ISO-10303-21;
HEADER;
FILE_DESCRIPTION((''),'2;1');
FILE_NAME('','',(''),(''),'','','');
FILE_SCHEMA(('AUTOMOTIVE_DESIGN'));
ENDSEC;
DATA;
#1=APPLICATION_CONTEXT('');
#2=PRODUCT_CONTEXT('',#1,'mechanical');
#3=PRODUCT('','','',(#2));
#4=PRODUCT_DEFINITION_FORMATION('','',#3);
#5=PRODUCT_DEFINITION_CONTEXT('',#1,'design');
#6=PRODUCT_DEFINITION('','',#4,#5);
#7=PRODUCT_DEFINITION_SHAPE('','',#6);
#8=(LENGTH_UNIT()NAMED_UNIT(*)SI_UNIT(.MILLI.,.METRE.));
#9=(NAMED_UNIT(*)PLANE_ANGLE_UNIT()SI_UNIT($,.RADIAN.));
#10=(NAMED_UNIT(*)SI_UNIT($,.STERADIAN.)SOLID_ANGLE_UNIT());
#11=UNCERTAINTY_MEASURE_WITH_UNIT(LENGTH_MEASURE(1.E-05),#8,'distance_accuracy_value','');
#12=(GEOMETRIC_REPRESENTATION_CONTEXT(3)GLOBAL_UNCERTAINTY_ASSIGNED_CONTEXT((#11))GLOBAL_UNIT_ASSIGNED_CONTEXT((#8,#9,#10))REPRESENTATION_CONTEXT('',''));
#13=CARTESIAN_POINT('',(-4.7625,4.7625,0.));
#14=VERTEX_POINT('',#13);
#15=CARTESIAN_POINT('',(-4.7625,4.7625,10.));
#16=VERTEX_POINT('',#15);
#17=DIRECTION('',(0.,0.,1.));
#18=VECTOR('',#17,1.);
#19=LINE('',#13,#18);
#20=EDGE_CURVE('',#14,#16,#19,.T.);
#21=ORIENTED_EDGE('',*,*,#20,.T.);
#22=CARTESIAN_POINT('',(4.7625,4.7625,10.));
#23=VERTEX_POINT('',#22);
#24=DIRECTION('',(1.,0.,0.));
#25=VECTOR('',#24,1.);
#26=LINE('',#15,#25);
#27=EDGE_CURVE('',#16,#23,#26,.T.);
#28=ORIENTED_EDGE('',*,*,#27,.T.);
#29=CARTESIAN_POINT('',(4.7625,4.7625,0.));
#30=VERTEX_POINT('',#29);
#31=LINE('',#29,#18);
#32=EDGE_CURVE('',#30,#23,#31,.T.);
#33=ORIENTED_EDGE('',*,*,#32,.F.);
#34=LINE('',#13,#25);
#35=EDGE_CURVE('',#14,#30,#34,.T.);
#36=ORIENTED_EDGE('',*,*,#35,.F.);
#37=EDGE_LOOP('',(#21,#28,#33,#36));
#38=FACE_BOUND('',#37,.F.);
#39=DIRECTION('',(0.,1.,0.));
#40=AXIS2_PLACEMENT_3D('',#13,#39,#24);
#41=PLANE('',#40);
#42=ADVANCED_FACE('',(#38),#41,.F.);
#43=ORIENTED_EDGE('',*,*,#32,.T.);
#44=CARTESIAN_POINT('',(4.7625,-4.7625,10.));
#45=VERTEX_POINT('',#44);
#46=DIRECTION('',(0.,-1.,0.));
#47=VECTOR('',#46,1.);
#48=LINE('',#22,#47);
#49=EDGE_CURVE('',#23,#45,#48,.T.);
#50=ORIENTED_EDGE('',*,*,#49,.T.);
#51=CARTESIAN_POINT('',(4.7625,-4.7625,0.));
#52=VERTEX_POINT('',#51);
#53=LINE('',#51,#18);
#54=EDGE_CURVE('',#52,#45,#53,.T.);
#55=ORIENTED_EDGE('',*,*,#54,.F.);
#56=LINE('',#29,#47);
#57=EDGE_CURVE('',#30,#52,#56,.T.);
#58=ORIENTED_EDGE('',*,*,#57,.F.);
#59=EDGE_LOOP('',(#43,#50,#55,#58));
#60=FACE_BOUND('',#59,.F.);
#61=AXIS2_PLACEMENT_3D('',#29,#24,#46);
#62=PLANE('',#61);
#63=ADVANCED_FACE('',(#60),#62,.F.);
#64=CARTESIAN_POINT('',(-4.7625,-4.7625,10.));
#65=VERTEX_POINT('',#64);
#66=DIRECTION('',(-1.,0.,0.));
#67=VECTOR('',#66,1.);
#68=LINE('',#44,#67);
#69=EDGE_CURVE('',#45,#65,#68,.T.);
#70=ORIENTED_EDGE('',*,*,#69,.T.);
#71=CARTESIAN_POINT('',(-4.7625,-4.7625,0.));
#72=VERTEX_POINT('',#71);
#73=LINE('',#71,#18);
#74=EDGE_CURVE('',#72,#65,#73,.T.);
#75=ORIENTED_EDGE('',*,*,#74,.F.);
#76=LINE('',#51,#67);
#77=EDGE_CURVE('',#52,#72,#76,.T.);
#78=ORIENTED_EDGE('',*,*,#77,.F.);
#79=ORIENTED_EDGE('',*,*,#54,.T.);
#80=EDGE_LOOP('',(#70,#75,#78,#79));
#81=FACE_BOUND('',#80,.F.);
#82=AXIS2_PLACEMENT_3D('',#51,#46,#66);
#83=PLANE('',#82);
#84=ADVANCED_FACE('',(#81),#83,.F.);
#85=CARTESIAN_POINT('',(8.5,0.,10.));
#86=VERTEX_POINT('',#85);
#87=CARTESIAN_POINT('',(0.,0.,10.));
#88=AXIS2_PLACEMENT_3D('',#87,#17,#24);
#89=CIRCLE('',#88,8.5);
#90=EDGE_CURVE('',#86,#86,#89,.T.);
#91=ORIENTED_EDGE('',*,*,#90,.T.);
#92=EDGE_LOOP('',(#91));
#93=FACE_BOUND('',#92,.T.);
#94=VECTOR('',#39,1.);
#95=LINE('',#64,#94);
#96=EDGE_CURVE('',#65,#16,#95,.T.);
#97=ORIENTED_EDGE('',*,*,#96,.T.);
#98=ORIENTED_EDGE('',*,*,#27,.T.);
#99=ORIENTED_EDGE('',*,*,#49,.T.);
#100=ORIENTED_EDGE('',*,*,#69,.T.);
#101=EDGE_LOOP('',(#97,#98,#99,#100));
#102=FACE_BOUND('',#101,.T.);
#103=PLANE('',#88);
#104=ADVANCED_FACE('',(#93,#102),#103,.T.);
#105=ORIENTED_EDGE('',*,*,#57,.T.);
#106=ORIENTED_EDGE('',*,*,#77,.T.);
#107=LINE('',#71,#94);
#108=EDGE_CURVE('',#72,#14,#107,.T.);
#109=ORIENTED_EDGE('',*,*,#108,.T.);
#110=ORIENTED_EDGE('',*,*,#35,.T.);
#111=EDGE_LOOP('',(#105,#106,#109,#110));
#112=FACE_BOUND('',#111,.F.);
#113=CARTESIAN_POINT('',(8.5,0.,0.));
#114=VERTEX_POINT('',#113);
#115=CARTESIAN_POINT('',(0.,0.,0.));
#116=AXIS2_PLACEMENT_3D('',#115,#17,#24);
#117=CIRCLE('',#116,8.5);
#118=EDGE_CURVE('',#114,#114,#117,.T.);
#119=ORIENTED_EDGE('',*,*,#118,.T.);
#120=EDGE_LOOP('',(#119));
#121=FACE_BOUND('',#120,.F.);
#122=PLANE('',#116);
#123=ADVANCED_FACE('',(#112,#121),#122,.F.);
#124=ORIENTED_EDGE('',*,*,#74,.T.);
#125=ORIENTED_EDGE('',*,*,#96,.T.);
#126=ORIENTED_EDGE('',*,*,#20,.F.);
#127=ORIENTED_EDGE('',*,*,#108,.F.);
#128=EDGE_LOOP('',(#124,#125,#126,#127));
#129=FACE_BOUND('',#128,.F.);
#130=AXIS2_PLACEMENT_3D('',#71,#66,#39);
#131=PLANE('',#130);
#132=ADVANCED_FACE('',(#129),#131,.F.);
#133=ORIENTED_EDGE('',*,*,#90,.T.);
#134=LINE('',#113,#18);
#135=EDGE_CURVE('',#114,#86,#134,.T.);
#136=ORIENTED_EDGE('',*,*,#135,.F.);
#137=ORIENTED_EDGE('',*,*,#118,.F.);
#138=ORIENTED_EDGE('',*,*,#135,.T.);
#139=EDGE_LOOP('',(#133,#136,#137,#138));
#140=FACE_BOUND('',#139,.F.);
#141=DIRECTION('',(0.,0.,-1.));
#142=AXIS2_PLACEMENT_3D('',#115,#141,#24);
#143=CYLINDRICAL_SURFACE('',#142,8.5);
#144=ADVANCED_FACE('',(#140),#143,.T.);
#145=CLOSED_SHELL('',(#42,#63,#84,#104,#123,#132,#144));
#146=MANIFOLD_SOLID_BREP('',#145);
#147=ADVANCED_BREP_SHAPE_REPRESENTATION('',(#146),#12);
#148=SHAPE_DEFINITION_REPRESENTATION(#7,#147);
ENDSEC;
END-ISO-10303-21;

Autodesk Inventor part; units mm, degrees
ref_plane "YZ Plane" through (0, 0, 0) normal (1, 0, 0) x (0, 1, 0)
ref_plane "XZ Plane" through (0, 0, 0) normal (0, 1, 0) x (-1, 0, 0)
ref_plane "XY Plane" through (0, 0, 0) normal (0, 0, 1) x (1, 0, 0)
sketch "Sketch1" plane through (0, 0, 0) normal (0, 0, 1) x (1, 0, 0)
  line L0 (4.7625, -4.7625) -> (-4.7625, -4.7625)
  line L1 (-4.7625, -4.7625) -> (-4.7625, 4.7625)
  line L2 (-4.7625, 4.7625) -> (4.7625, 4.7625)
  line L3 (4.7625, 4.7625) -> (4.7625, -4.7625)
  line L4 (4.7625, -4.7625) -> (-4.7625, 4.7625) construction
  line L5 (-4.7625, -4.7625) -> (4.7625, 4.7625) construction
  circle A0 centre (0, 0) radius 8.5
  dimension "d0" = 9.525
  dimension "d1" = 17
extrude "Extrusion1" add sketch "Sketch1" along normal blind 10
properties part number "square bearing adapter"
